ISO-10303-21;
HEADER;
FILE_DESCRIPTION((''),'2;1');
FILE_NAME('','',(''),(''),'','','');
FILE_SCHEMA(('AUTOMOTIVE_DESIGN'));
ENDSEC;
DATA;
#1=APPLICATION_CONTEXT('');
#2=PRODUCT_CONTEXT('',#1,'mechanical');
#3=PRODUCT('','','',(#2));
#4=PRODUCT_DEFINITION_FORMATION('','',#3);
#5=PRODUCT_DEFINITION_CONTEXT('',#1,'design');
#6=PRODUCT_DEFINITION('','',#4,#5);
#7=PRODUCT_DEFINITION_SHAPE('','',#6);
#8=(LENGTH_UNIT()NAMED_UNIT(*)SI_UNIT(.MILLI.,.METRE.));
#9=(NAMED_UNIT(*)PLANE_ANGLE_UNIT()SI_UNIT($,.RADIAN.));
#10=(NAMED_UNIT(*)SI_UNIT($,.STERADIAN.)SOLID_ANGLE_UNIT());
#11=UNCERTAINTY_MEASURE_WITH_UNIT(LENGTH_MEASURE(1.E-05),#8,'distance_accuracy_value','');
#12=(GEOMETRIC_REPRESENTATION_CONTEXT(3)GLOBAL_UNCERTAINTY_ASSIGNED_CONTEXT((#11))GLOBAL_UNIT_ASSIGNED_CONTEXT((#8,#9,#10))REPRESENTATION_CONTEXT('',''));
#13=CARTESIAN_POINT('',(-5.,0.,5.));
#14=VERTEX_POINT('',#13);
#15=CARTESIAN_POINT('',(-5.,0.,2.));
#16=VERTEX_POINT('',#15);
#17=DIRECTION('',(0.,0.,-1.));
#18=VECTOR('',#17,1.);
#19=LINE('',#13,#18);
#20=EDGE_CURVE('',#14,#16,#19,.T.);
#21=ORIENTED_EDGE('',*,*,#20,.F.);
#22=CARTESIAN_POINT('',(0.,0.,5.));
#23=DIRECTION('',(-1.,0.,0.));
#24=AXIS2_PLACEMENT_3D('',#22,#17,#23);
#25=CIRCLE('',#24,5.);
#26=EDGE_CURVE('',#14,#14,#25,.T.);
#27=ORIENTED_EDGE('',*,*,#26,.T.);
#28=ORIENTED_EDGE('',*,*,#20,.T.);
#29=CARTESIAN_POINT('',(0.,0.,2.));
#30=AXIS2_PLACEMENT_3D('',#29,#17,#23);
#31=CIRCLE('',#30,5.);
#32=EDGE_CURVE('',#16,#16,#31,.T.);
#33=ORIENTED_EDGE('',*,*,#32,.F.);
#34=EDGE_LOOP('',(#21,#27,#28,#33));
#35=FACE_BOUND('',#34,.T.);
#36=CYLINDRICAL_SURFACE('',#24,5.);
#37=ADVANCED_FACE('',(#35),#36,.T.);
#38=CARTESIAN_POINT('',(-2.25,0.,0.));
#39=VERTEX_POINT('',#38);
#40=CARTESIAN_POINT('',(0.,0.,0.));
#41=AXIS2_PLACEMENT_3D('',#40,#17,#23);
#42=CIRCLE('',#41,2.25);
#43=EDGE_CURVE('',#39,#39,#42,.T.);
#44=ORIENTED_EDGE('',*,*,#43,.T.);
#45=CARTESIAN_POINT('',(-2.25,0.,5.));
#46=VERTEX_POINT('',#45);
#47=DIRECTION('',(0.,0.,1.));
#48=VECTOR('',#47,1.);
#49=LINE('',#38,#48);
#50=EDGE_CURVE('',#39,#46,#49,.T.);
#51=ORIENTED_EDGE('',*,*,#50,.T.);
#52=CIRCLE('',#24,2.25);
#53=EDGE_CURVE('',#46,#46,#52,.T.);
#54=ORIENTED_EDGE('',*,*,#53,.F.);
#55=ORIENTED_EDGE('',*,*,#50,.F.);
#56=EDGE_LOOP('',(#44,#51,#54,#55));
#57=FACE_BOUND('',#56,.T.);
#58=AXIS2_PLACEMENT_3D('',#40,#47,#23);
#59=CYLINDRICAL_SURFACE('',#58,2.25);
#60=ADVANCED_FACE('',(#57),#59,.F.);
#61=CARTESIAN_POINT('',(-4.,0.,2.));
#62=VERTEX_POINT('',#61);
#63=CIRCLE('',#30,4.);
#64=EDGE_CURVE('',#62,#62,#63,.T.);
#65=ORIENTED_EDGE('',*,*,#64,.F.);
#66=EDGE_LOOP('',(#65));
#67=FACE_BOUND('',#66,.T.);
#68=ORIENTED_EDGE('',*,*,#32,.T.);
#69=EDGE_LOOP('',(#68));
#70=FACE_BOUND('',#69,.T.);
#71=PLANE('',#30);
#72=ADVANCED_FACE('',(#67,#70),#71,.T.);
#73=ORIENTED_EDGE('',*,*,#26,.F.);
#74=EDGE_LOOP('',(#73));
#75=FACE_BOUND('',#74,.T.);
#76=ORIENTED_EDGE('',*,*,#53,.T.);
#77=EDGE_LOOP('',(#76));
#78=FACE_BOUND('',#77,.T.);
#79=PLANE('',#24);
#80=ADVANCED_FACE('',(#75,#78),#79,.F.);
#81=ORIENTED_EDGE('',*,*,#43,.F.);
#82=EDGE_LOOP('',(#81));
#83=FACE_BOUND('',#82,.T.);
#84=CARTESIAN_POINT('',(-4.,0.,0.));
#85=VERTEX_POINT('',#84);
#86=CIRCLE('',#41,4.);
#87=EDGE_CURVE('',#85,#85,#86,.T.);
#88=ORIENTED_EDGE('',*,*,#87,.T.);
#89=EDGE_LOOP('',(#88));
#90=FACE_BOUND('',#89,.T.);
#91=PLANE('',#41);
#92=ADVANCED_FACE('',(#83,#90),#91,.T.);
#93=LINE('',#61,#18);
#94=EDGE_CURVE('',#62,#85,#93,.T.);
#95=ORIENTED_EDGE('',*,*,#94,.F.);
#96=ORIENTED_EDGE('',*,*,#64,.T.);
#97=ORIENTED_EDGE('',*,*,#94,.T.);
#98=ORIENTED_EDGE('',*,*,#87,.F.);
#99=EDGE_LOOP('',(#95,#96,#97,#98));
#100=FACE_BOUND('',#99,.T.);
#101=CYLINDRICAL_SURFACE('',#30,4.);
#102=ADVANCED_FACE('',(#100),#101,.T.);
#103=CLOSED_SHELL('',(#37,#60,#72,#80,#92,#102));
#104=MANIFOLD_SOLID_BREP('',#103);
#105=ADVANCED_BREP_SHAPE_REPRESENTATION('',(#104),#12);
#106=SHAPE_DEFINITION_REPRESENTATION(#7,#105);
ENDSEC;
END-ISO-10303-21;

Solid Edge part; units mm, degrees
sketch "Sketch1" plane through (0, 0, 0) normal (0, -1, 0) x (1, 0, 0)
  line L0 (-2.25, 0) -> (-2.25, 5)
  line L1 (-2.25, 5) -> (-5, 5)
  line L2 (-5, 5) -> (-5, 2)
  line L3 (-5, 2) -> (-4, 2)
  line L4 (-4, 2) -> (-4, 0)
  line L5 (-4, 0) -> (-2.25, 0)
  dimension "D1" = 5
  dimension "D2" = 3
  dimension "D3" = 2.25
  dimension "D4" = 4
  dimension "D5" = 5
revolve "RevolvedProtrusion1" add sketch "Sketch1" angle 360 about axis through (0, 0, 54) along (0, 0, -1)
properties material "Aluminum, 6061-T6"
